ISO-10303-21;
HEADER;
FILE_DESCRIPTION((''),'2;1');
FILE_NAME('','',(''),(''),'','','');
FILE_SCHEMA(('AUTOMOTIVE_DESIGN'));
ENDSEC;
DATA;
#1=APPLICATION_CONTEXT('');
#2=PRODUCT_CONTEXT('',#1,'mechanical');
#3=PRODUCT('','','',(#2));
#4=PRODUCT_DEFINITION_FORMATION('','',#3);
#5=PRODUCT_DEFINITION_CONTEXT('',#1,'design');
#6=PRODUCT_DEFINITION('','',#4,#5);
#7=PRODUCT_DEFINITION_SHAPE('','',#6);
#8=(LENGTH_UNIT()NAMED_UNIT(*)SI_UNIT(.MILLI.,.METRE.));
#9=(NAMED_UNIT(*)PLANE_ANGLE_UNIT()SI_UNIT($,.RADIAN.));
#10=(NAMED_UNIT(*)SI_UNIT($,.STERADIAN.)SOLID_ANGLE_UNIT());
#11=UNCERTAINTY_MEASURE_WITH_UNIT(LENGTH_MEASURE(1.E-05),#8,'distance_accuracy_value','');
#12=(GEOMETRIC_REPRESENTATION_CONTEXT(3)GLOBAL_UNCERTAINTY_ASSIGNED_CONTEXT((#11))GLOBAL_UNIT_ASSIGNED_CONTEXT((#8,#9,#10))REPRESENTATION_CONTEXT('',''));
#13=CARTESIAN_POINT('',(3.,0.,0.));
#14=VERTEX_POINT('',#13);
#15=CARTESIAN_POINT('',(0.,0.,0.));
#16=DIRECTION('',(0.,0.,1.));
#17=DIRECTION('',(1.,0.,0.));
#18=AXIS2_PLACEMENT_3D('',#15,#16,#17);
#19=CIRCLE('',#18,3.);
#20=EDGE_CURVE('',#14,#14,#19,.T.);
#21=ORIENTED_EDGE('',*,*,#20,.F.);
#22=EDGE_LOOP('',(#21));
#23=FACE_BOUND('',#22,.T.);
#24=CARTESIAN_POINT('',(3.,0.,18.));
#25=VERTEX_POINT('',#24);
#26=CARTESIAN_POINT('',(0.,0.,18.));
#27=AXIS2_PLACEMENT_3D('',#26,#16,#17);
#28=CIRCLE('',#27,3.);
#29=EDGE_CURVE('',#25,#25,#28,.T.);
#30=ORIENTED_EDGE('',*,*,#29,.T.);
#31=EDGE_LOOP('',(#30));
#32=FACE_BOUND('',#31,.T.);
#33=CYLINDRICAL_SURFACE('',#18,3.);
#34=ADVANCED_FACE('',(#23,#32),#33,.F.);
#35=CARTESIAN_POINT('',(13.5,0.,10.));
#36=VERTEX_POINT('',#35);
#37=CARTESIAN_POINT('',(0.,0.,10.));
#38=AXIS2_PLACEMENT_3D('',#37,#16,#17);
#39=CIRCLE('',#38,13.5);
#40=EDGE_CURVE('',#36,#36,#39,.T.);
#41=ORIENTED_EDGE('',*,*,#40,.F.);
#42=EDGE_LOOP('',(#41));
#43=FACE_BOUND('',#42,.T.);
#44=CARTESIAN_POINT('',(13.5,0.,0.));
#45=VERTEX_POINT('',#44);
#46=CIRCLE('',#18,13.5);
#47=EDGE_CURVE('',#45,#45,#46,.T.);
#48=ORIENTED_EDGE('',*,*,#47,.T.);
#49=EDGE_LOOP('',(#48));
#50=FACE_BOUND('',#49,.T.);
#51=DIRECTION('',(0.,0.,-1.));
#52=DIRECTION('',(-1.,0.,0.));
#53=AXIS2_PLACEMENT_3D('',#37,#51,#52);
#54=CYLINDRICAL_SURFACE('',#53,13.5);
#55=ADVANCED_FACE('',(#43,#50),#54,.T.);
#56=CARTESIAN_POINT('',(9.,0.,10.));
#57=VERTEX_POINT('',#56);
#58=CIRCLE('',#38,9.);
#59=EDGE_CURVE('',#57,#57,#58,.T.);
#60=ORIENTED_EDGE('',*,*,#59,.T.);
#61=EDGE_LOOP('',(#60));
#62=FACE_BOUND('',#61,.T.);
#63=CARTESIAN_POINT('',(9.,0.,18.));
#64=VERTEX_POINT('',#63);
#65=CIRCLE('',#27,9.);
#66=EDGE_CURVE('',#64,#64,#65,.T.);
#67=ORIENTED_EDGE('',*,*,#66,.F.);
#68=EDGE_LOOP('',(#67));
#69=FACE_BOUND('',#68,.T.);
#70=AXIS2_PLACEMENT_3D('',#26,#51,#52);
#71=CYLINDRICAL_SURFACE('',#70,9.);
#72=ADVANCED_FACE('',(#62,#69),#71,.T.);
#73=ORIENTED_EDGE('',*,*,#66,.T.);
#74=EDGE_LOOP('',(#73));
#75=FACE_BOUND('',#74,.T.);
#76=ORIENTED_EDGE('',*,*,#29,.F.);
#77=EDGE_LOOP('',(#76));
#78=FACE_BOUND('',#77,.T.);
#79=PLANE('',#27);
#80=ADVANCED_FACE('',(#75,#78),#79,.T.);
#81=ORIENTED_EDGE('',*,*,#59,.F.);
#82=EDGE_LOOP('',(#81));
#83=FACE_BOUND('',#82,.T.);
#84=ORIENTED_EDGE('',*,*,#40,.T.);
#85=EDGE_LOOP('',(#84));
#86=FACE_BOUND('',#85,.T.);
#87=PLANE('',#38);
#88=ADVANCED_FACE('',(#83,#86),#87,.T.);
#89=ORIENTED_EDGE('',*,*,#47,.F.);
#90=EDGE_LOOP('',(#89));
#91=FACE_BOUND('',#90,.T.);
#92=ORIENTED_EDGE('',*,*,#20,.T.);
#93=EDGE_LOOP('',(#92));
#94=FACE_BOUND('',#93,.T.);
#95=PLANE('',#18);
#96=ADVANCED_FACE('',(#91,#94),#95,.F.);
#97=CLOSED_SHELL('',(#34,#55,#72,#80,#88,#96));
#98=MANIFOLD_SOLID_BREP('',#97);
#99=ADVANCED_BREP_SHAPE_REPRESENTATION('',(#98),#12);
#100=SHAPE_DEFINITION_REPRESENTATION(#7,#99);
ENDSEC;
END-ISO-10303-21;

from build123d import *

# Parameters (mm, degrees)
SKETCH_1_R          = 13.5
EXTRUDE_1_DEPTH     = 10
SKETCH_2_R          = 9
EXTRUDE_2_DEPTH     = 8
SKETCH_3_R          = 3
CUT_EXTRUDE_1_DEPTH = 19


with BuildPart() as part:
    # 草图1 → 凸台-拉伸1 (new body)
    with BuildSketch(Plane.XY):
        Circle(SKETCH_1_R)
    extrude(amount=EXTRUDE_1_DEPTH)

    # 草图2 → 凸台-拉伸2 (add)
    with BuildSketch(Plane.XY.offset(10)):
        Circle(SKETCH_2_R)
    extrude(amount=EXTRUDE_2_DEPTH)

    # 草图3 → 切除-拉伸1 (cut, through all)
    with BuildSketch(Plane.XY.offset(18)):
        Circle(SKETCH_3_R)
    extrude(amount=-CUT_EXTRUDE_1_DEPTH, mode=Mode.SUBTRACT)


solid = part.part
